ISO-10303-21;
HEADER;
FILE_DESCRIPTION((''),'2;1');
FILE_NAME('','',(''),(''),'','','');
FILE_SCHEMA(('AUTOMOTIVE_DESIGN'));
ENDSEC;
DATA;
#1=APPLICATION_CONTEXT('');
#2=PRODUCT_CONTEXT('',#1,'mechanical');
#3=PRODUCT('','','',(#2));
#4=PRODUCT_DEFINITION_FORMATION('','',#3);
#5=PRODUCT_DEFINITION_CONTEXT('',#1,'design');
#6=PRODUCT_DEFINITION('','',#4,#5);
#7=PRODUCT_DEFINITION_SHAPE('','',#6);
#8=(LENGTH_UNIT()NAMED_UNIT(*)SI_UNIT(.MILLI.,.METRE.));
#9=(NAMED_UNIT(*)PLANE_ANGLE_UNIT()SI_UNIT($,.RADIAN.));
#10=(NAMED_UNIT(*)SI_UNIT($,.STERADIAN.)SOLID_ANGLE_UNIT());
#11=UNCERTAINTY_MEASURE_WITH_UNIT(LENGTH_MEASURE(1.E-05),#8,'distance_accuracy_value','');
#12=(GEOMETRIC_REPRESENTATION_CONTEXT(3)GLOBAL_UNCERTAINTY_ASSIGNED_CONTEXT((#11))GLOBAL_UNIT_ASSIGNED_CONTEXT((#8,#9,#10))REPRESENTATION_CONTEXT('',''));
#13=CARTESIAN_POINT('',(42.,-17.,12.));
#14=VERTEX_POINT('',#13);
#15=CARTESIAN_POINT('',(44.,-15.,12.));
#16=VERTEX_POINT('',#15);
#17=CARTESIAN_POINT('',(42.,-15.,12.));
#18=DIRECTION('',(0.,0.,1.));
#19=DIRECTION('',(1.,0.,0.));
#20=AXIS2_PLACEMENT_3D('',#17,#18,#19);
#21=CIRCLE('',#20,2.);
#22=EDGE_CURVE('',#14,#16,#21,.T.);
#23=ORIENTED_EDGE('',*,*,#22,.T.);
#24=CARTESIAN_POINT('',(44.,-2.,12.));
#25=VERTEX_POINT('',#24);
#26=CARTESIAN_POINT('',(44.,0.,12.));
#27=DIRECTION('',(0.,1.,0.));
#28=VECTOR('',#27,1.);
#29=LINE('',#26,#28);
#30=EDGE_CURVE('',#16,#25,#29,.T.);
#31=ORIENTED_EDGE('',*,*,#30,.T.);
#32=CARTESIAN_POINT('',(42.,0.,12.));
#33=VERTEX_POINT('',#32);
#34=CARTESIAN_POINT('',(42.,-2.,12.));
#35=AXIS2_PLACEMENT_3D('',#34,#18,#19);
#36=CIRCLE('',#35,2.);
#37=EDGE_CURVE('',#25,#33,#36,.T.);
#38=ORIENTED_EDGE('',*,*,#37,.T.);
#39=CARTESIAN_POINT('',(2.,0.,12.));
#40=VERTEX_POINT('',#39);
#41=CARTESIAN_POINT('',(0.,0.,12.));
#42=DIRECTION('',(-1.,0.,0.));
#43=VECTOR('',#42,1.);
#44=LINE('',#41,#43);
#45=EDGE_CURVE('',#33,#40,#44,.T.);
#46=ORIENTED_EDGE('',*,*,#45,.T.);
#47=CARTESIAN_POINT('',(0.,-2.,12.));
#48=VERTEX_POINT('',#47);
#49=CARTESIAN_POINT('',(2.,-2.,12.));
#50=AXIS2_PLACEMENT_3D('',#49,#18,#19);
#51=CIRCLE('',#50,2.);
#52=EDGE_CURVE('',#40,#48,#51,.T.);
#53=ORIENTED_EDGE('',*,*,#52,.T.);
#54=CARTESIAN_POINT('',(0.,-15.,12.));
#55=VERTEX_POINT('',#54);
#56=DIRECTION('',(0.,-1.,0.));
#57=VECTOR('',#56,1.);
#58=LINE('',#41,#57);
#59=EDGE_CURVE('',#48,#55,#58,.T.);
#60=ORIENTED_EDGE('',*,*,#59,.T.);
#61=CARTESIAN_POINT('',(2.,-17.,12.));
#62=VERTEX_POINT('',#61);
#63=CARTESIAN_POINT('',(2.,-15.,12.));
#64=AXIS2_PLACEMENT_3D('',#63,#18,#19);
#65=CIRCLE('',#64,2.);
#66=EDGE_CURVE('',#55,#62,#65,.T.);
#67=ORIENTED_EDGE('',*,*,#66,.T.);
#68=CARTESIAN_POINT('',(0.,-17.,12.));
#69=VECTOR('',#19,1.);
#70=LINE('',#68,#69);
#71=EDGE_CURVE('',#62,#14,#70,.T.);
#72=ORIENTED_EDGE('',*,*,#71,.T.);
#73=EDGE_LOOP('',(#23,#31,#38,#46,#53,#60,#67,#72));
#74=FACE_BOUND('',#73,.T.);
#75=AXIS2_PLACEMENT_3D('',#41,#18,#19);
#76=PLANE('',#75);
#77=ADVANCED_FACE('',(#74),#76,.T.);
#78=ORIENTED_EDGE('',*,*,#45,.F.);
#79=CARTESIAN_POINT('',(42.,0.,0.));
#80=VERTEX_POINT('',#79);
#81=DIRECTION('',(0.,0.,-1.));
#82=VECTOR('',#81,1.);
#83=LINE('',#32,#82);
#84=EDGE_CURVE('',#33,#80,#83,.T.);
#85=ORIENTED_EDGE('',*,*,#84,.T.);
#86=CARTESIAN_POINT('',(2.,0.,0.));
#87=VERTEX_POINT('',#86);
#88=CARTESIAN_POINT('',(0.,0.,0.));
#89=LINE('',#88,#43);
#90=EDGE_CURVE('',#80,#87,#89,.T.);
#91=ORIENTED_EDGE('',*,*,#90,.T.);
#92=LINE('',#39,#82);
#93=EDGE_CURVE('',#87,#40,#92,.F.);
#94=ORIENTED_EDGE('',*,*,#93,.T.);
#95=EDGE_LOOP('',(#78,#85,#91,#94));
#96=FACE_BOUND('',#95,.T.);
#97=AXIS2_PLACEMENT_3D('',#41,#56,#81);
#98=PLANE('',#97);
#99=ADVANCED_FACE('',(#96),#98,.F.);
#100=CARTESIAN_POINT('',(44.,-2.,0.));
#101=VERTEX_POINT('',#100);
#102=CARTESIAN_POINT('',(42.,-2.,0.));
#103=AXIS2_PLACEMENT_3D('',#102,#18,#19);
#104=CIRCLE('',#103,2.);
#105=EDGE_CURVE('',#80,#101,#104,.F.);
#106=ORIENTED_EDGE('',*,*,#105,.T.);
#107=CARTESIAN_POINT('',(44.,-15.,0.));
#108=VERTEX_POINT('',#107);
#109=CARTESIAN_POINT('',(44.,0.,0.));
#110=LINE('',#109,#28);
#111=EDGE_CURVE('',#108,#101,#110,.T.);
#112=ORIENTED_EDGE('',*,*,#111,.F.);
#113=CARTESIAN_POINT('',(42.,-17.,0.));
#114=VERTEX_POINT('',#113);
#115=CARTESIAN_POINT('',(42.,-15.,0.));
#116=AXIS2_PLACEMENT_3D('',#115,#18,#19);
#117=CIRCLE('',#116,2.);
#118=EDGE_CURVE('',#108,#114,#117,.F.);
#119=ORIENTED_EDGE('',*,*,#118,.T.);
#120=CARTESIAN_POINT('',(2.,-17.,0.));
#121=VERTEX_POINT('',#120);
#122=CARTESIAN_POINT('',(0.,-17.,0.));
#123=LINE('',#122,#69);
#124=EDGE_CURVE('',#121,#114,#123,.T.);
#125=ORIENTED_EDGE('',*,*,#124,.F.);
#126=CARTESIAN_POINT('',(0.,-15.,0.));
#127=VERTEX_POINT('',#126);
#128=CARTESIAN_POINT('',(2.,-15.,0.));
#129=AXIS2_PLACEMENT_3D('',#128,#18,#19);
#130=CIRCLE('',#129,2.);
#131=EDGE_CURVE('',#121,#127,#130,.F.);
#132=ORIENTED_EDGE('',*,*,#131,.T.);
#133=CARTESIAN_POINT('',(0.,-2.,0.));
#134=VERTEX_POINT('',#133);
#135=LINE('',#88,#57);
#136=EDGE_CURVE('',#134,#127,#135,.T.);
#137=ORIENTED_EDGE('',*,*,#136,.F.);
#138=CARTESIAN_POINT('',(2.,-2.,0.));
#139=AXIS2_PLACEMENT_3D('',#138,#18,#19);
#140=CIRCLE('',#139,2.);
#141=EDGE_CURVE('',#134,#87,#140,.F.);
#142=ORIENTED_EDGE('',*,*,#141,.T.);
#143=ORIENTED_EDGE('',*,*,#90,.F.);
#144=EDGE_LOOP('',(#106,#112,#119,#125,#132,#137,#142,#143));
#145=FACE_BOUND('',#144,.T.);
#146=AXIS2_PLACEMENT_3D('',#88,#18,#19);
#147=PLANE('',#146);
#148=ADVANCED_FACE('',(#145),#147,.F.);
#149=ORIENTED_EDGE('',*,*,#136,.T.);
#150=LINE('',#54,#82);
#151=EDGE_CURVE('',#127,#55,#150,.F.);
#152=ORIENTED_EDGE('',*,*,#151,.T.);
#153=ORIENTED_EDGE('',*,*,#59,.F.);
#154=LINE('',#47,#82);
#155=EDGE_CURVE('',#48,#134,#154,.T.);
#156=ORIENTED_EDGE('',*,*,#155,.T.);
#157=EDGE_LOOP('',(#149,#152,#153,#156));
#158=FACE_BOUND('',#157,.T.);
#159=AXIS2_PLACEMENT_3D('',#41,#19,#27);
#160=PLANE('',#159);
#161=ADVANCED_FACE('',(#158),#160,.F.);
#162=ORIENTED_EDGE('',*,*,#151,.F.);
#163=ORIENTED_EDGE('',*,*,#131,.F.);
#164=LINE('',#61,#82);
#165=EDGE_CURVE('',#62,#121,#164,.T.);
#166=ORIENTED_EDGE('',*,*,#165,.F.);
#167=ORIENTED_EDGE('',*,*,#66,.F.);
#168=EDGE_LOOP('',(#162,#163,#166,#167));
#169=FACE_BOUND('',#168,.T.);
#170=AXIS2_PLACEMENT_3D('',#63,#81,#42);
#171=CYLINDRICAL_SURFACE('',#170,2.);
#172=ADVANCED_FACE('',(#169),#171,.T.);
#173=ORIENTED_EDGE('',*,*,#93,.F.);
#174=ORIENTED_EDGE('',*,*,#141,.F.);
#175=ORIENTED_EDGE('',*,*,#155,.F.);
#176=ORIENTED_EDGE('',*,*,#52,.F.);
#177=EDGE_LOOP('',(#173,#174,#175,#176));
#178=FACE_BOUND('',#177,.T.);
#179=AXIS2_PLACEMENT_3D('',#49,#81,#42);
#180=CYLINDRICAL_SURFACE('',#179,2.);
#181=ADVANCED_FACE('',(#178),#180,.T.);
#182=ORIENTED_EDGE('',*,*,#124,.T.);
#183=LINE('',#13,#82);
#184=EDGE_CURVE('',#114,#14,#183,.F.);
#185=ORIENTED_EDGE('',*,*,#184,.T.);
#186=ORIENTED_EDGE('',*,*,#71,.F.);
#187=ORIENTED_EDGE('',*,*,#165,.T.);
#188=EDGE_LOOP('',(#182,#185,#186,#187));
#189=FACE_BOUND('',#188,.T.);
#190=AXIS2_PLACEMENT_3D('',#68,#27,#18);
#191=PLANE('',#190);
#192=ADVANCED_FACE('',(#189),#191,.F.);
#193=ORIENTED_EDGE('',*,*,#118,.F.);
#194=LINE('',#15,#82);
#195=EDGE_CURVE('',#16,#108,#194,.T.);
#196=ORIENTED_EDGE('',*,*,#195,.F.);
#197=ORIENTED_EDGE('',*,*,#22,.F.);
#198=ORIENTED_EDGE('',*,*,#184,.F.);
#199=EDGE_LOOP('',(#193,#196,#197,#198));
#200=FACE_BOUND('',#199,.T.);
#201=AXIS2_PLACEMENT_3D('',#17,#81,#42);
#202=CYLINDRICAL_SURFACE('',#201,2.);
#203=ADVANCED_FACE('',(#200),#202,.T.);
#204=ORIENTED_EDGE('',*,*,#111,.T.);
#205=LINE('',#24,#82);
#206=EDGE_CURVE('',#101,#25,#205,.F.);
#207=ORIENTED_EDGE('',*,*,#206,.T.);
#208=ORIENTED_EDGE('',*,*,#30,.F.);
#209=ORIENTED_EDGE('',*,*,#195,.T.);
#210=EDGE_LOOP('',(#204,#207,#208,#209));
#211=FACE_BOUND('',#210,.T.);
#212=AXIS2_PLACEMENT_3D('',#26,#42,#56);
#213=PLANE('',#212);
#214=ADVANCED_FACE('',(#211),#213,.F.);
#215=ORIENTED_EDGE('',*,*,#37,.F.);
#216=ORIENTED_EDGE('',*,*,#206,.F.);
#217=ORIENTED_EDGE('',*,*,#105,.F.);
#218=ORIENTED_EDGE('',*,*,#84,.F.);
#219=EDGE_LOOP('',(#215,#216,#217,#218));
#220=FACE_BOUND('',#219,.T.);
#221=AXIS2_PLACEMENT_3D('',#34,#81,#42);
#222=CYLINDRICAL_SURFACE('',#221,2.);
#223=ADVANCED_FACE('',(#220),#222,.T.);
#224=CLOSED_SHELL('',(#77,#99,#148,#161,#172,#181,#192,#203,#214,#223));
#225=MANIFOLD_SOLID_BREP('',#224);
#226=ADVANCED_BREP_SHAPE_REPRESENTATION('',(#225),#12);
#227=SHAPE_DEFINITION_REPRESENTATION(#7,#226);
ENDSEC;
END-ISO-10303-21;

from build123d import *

# Parameters (mm, degrees)
ESBO_O1_W                = 44
ESBO_O1_H                = 17
RESSALTO_EXTRUS_O1_DEPTH = 12
FILETE1_R                = 2


with BuildPart() as part:
    # Esboço1 → Ressalto-extrusão1 (new body)
    with BuildSketch(Plane.XY):
        with Locations((22, -8.5)):
            Rectangle(ESBO_O1_W, ESBO_O1_H)
    extrude(amount=RESSALTO_EXTRUS_O1_DEPTH)

    # Filete1
    filete1_edges = [part.edges().sort_by_distance(p)[0] for p in [
        (0, 0, 6),
        (44, 0, 6),
        (44, -17, 6),
        (0, -17, 6),
    ]]
    fillet(filete1_edges, radius=FILETE1_R)


solid = part.part
